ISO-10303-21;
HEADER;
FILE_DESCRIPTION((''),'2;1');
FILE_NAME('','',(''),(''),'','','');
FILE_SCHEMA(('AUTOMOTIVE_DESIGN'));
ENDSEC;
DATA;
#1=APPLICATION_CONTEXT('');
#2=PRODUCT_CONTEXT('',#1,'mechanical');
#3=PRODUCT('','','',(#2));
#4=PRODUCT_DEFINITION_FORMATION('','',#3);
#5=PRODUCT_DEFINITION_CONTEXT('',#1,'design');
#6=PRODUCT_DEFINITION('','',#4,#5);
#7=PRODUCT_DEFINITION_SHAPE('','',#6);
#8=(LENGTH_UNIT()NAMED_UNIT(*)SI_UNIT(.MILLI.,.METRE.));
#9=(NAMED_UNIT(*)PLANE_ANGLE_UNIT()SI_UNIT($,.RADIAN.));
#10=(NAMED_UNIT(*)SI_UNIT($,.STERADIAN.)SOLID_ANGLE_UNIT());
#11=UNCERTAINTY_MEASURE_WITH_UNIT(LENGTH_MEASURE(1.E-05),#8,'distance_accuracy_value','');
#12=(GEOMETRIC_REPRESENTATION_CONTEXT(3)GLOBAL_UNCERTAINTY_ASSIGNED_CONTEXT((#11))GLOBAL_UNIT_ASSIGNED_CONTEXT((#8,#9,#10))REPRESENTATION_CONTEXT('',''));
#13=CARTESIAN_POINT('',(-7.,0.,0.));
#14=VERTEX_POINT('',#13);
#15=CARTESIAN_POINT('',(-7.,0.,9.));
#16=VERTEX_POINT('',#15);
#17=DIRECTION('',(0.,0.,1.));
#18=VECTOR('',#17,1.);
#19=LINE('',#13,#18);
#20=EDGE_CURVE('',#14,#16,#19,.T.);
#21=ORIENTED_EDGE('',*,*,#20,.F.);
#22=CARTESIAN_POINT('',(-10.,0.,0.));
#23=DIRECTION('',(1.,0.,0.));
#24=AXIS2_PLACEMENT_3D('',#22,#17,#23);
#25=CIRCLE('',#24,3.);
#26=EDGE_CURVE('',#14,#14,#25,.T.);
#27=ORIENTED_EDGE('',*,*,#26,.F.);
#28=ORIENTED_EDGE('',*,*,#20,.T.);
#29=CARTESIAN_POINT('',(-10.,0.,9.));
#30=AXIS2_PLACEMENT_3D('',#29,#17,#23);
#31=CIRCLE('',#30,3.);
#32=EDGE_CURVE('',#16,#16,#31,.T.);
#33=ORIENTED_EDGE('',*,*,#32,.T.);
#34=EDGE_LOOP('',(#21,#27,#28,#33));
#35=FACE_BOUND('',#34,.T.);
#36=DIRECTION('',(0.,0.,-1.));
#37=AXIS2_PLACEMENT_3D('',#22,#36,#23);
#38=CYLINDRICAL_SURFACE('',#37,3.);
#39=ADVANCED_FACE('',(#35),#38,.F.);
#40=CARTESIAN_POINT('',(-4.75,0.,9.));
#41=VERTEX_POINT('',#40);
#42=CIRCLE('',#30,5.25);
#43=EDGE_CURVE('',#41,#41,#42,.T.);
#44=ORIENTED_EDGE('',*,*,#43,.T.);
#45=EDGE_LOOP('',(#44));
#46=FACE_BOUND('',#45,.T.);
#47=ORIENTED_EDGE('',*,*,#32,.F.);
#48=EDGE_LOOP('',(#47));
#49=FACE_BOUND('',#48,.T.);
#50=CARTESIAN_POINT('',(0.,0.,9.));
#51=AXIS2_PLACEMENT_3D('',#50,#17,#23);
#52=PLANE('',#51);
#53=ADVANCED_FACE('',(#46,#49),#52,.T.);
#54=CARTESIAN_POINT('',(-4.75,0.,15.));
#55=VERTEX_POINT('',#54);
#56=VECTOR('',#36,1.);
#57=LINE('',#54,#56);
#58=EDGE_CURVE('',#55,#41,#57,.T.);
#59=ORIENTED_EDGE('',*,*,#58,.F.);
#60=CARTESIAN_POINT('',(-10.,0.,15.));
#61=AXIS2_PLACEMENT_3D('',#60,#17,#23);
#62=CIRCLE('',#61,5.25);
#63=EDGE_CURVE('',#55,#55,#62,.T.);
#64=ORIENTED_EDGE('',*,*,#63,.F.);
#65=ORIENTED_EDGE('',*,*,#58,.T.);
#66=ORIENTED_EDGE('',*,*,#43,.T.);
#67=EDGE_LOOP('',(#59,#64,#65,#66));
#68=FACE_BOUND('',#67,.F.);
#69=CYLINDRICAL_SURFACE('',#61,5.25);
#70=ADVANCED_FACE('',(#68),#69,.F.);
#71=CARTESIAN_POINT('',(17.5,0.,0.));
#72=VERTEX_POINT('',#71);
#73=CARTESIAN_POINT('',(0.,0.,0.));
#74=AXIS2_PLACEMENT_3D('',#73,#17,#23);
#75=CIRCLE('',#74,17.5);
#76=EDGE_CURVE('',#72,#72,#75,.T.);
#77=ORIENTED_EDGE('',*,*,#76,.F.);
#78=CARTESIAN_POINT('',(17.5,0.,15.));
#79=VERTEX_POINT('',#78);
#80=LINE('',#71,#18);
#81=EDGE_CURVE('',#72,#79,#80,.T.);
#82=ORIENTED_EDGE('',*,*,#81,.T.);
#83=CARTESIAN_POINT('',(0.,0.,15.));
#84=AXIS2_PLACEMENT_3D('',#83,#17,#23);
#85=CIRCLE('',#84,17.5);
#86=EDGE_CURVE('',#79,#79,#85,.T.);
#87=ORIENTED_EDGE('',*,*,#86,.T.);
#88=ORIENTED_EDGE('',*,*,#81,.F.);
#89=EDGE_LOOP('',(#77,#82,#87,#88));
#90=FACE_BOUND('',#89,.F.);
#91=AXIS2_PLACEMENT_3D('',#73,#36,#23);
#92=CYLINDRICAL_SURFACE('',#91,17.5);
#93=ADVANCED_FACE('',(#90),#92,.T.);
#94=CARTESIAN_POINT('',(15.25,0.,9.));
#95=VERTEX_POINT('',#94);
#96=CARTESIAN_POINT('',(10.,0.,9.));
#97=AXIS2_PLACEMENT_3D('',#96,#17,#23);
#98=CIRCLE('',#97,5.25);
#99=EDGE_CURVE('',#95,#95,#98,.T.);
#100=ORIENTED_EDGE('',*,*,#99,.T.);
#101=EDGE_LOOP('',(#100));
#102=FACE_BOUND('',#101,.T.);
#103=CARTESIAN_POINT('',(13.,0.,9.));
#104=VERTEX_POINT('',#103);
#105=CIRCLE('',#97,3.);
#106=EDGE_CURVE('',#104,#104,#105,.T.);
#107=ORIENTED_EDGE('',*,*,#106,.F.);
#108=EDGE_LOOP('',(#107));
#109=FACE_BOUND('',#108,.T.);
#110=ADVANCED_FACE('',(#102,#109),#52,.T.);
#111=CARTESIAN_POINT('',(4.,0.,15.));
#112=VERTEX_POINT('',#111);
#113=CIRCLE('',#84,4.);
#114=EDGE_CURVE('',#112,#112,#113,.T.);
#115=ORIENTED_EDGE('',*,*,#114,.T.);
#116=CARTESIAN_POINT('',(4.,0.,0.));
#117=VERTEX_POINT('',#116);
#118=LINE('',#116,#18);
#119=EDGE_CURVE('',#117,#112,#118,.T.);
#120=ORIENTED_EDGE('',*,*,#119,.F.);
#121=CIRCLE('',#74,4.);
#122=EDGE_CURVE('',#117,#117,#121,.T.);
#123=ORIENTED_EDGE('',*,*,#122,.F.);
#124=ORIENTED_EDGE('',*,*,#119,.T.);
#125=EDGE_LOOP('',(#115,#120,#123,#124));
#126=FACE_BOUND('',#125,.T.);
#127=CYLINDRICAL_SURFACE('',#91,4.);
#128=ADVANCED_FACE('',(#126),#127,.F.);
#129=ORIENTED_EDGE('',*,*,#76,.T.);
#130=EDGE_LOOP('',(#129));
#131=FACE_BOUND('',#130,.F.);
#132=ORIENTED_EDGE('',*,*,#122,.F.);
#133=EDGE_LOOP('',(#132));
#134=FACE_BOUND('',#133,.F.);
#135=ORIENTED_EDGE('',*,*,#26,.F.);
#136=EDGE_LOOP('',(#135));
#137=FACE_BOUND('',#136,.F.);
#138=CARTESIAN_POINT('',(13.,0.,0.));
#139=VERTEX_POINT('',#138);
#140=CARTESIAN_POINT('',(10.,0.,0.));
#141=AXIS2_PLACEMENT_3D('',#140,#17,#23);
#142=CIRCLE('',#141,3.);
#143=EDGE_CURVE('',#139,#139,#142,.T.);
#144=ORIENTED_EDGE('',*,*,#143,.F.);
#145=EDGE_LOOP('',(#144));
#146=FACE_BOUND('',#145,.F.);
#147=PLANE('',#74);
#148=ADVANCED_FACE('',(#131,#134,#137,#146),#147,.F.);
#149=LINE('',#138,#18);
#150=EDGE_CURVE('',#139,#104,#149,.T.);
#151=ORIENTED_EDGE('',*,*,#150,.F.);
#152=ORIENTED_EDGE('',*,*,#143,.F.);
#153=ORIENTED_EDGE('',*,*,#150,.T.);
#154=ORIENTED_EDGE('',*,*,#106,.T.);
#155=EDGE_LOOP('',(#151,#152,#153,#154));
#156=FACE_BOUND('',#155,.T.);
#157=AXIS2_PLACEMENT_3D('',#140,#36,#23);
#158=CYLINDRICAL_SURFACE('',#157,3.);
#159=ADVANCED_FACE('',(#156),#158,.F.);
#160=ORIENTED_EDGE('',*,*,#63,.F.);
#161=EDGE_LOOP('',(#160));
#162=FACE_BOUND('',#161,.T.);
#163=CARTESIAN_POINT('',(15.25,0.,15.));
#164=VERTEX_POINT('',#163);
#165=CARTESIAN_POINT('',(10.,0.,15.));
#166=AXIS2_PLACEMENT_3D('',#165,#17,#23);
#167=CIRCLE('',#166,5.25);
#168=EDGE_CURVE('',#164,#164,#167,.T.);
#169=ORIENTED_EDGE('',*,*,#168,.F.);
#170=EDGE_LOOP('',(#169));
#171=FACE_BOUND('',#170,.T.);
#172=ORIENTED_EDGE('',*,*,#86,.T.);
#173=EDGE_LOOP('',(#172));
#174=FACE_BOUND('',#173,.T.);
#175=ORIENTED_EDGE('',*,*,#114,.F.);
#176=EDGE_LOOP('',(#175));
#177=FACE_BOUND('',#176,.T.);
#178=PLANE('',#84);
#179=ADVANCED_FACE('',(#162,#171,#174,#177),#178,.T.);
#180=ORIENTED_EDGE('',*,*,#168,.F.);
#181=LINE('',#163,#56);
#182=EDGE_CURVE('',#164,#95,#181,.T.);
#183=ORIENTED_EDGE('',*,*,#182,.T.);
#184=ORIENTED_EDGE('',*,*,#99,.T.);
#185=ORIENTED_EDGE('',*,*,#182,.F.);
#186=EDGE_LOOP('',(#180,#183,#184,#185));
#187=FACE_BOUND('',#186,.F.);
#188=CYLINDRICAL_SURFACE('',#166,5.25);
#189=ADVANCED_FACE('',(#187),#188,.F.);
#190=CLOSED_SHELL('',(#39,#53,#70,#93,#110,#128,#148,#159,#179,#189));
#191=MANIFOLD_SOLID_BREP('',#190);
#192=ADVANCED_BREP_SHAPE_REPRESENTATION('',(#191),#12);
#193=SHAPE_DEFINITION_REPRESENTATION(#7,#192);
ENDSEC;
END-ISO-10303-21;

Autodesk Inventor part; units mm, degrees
ref_plane "YZ Plane" through (0, 0, 0) normal (1, 0, 0) x (0, 1, 0)
ref_plane "XZ Plane" through (0, 0, 0) normal (0, 1, 0) x (-1, 0, 0)
ref_plane "XY Plane" through (0, 0, 0) normal (0, 0, 1) x (1, 0, 0)
sketch "Sketch1" plane through (0, 0, 0) normal (0, 0, 1) x (1, 0, 0)
  circle A0 centre (0, 0) radius 17.5
  circle A1 centre (0, 0) radius 4
  line L0 (-10, 0) -> (10, 0) construction
  circle A2 centre (-10, 0) radius 3
  circle A3 centre (10, 0) radius 3
  dimension "d0" = 35
  dimension "d1" = 8
  dimension "d7" = 20
  dimension "d8" = 6
extrude "Extrusion1" add sketch "Sketch1" along normal blind 15
sketch "Sketch3" plane through (0, 0, 15) normal (0, 0, 1) x (1, 0, 0)
  circle A0 centre (10, 0) radius 3 projected
  circle A1 centre (-10, 0) radius 3 projected
  circle A2 centre (-10, 0) radius 5.25
  circle A3 centre (10, 0) radius 5.25
  dimension "d9" = 10.5
extrude "Extrusion3" cut sketch "Sketch3" against normal blind 6
properties part number "gear thrust cup"
